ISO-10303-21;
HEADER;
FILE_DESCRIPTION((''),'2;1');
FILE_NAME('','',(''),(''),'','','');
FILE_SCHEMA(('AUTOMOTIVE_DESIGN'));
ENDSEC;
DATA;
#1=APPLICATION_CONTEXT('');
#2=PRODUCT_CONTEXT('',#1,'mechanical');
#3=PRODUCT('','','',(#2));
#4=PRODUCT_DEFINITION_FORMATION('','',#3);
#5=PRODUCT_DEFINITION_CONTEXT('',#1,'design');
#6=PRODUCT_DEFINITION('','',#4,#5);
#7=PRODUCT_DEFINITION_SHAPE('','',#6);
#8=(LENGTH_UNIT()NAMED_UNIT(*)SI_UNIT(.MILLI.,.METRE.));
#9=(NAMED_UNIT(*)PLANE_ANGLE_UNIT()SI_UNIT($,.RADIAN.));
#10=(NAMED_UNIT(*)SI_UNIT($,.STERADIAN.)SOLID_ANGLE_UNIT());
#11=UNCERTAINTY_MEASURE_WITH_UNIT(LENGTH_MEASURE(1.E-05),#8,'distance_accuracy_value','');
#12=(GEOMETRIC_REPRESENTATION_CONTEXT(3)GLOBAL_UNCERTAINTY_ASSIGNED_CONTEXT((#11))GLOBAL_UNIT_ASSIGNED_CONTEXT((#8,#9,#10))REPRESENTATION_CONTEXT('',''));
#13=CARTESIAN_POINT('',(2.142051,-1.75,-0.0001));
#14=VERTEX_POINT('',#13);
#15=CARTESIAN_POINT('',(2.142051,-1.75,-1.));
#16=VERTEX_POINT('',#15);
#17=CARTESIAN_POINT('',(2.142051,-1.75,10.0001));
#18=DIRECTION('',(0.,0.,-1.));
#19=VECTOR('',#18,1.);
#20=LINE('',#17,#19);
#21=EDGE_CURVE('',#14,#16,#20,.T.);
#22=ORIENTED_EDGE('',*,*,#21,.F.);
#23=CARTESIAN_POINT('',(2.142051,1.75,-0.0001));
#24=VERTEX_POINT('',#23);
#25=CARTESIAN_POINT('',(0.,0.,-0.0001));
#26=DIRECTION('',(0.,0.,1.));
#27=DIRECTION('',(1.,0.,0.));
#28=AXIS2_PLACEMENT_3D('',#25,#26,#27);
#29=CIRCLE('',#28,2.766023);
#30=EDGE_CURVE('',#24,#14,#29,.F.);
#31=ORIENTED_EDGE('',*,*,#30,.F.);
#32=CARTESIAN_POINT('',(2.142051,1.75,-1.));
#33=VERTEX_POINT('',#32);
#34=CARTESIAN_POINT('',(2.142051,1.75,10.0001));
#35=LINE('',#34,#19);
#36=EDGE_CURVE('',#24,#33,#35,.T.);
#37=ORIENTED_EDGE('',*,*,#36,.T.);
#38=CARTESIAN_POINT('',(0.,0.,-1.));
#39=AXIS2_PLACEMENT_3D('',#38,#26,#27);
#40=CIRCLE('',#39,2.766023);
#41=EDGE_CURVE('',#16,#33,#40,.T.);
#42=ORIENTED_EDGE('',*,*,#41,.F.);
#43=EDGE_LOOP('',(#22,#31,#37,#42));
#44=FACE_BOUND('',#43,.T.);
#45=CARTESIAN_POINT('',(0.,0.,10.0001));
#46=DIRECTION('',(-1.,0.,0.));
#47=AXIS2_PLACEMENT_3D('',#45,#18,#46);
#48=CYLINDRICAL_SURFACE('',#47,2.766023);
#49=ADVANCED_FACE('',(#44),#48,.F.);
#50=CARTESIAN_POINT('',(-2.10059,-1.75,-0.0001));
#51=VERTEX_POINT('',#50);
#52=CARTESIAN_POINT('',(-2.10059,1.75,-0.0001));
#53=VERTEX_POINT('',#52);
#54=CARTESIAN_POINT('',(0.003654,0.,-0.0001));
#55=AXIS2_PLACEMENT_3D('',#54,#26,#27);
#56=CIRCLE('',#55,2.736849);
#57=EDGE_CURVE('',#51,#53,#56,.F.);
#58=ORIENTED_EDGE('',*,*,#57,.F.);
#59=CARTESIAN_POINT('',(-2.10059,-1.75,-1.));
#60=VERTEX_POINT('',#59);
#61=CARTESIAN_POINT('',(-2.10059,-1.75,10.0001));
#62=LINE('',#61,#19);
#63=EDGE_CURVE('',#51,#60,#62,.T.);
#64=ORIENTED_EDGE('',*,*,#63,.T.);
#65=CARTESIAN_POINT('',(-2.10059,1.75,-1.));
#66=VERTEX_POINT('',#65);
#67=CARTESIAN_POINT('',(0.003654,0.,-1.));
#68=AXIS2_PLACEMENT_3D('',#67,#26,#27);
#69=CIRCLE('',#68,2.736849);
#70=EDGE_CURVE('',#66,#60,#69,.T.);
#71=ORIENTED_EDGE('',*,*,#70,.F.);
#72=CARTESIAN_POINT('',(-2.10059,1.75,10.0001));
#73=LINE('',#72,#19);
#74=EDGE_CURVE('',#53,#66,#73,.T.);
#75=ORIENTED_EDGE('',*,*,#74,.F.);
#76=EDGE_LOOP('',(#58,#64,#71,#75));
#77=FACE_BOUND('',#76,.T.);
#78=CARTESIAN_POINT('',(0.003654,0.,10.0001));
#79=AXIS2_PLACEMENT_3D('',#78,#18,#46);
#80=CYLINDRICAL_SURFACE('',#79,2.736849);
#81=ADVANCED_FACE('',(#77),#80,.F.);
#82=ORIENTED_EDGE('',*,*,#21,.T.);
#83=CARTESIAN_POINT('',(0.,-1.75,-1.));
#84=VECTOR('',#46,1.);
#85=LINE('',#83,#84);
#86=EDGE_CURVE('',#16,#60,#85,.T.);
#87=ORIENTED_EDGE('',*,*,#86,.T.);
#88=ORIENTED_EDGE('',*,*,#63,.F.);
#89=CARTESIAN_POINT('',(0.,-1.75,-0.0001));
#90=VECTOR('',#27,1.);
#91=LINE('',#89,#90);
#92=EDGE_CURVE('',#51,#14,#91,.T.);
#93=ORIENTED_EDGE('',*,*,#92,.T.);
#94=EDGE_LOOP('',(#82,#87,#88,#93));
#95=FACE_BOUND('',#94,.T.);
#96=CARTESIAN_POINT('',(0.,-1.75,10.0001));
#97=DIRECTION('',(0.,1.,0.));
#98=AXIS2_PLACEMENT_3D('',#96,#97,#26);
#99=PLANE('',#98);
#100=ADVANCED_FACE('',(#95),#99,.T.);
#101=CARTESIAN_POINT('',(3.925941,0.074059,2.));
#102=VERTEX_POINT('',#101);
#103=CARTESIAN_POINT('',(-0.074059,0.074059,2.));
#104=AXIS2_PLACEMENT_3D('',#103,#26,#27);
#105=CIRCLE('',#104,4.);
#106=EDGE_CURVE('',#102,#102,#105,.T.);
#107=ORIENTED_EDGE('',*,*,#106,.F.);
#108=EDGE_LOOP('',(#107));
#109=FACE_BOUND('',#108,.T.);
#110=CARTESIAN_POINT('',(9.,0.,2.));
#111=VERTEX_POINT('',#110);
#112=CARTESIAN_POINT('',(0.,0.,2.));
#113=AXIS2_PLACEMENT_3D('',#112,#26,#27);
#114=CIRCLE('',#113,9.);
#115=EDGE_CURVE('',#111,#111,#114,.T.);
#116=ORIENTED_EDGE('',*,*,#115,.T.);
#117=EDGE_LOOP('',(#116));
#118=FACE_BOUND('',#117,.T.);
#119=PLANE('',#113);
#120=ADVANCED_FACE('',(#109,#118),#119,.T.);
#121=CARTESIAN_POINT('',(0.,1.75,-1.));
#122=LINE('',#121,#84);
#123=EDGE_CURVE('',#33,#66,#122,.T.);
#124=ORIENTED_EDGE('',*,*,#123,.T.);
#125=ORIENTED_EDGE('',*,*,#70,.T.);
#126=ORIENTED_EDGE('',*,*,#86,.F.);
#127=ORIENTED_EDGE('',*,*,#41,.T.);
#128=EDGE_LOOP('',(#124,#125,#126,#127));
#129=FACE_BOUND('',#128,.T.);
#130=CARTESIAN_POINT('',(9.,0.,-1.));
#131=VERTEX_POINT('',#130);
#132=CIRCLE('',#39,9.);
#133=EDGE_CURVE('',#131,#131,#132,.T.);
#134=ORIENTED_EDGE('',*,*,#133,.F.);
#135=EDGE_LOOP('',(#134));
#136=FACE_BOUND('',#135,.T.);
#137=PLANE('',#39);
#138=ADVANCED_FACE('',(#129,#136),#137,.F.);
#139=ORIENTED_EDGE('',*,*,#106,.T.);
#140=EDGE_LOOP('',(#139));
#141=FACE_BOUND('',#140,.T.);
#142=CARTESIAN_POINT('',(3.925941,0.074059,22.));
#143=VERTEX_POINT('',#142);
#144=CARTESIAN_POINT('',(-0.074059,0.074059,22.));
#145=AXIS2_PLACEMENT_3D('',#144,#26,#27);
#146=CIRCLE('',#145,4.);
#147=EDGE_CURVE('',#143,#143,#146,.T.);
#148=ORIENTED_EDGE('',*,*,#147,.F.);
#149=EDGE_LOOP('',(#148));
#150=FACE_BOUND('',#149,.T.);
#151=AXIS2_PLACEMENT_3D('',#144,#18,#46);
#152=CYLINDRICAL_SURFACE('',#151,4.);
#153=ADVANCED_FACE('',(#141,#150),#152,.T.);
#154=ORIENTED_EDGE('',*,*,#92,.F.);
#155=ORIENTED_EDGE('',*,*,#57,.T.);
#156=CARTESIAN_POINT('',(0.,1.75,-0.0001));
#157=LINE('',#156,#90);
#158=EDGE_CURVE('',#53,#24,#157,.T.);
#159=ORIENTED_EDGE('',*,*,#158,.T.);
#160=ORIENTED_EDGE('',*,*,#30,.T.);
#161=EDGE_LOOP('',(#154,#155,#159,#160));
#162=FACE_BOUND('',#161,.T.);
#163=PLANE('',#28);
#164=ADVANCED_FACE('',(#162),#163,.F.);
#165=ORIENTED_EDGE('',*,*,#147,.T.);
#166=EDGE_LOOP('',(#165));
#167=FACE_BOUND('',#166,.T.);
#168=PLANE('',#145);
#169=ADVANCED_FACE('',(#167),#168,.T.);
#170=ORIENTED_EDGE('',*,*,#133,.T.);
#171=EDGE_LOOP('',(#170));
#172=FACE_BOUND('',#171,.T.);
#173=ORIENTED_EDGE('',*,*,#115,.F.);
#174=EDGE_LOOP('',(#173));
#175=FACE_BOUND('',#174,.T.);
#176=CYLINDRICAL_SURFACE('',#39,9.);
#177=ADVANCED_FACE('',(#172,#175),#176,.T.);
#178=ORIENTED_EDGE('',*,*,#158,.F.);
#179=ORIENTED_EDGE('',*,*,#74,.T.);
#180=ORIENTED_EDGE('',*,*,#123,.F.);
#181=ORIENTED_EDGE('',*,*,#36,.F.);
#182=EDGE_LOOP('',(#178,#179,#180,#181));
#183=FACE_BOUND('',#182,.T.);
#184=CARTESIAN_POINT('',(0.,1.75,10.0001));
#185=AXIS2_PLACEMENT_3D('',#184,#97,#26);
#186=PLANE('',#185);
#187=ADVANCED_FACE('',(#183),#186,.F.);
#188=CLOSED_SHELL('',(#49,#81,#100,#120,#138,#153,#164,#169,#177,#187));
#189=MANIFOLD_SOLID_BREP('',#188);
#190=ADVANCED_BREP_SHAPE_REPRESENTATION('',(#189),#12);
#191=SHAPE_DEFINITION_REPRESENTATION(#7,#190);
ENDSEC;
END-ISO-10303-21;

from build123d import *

# Parameters (mm, degrees)
SKETCH1_R                = 8
BOSS_EXTRUDE1_DEPTH      = 2
SKETCH2_R                = 9
BOSS_EXTRUDE2_DEPTH      = 3
CUT_EXTRUDE1_DEPTH       = 10.0001
CUT_EXTRUDE1_DEPTH_BACK  = 10
BOSS_EXTRUDE3_DEPTH      = 2
BOSS_EXTRUDE3_DEPTH_BACK = 0.0001
SKETCH1_3_R              = 8
SKETCH3_R                = 4
BOSS_EXTRUDE4_DEPTH      = 20


with BuildPart() as part:
    # Sketch1 → Boss-Extrude1 (new body)
    with BuildSketch(Plane.XY):
        Circle(SKETCH1_R)
        with BuildLine():
            Line((-2.100590034, 1.75), (2.142050653, 1.75))
            ThreePointArc((2.142050653, 1.75), (2.766022596, 0), (2.142050653, -1.75))
            Line((2.142050653, -1.75), (-2.100590034, -1.75))
            ThreePointArc((-2.100590034, -1.75), (-2.733195007, 0), (-2.100590034, 1.75))
        make_face(mode=Mode.SUBTRACT)
    extrude(amount=BOSS_EXTRUDE1_DEPTH)

    # Sketch2 → Boss-Extrude2 (add)
    with BuildSketch(Plane.XY.offset(2)):
        Circle(SKETCH2_R)
    extrude(amount=-BOSS_EXTRUDE2_DEPTH)

    # Sketch1<2> → Cut-Extrude1 (cut, two sides: drawn at the far end of the back side and taken through both)
    with BuildSketch(Plane.XY.offset(-CUT_EXTRUDE1_DEPTH_BACK)):
        with BuildLine():
            Line((2.142050653, 1.75), (-2.100590034, 1.75))
            ThreePointArc((-2.100590034, 1.75), (-2.733195007, 0), (-2.100590034, -1.75))
            Line((-2.100590034, -1.75), (2.142050653, -1.75))
            ThreePointArc((2.142050653, -1.75), (2.766022596, 0), (2.142050653, 1.75))
        make_face()
    extrude(amount=CUT_EXTRUDE1_DEPTH + CUT_EXTRUDE1_DEPTH_BACK, mode=Mode.SUBTRACT)

    # Sketch1<3> → Boss-Extrude3 (add, two sides: drawn at the far end of the back side and taken through both)
    with BuildSketch(Plane.XY.offset(-BOSS_EXTRUDE3_DEPTH_BACK)):
        Circle(SKETCH1_3_R)
    extrude(amount=BOSS_EXTRUDE3_DEPTH + BOSS_EXTRUDE3_DEPTH_BACK)

    # Sketch3 → Boss-Extrude4 (add)
    with BuildSketch(Plane.XY.offset(2)):
        with Locations((-0.074058603, 0.074058603)):
            Circle(SKETCH3_R)
    extrude(amount=BOSS_EXTRUDE4_DEPTH)


solid = part.part
